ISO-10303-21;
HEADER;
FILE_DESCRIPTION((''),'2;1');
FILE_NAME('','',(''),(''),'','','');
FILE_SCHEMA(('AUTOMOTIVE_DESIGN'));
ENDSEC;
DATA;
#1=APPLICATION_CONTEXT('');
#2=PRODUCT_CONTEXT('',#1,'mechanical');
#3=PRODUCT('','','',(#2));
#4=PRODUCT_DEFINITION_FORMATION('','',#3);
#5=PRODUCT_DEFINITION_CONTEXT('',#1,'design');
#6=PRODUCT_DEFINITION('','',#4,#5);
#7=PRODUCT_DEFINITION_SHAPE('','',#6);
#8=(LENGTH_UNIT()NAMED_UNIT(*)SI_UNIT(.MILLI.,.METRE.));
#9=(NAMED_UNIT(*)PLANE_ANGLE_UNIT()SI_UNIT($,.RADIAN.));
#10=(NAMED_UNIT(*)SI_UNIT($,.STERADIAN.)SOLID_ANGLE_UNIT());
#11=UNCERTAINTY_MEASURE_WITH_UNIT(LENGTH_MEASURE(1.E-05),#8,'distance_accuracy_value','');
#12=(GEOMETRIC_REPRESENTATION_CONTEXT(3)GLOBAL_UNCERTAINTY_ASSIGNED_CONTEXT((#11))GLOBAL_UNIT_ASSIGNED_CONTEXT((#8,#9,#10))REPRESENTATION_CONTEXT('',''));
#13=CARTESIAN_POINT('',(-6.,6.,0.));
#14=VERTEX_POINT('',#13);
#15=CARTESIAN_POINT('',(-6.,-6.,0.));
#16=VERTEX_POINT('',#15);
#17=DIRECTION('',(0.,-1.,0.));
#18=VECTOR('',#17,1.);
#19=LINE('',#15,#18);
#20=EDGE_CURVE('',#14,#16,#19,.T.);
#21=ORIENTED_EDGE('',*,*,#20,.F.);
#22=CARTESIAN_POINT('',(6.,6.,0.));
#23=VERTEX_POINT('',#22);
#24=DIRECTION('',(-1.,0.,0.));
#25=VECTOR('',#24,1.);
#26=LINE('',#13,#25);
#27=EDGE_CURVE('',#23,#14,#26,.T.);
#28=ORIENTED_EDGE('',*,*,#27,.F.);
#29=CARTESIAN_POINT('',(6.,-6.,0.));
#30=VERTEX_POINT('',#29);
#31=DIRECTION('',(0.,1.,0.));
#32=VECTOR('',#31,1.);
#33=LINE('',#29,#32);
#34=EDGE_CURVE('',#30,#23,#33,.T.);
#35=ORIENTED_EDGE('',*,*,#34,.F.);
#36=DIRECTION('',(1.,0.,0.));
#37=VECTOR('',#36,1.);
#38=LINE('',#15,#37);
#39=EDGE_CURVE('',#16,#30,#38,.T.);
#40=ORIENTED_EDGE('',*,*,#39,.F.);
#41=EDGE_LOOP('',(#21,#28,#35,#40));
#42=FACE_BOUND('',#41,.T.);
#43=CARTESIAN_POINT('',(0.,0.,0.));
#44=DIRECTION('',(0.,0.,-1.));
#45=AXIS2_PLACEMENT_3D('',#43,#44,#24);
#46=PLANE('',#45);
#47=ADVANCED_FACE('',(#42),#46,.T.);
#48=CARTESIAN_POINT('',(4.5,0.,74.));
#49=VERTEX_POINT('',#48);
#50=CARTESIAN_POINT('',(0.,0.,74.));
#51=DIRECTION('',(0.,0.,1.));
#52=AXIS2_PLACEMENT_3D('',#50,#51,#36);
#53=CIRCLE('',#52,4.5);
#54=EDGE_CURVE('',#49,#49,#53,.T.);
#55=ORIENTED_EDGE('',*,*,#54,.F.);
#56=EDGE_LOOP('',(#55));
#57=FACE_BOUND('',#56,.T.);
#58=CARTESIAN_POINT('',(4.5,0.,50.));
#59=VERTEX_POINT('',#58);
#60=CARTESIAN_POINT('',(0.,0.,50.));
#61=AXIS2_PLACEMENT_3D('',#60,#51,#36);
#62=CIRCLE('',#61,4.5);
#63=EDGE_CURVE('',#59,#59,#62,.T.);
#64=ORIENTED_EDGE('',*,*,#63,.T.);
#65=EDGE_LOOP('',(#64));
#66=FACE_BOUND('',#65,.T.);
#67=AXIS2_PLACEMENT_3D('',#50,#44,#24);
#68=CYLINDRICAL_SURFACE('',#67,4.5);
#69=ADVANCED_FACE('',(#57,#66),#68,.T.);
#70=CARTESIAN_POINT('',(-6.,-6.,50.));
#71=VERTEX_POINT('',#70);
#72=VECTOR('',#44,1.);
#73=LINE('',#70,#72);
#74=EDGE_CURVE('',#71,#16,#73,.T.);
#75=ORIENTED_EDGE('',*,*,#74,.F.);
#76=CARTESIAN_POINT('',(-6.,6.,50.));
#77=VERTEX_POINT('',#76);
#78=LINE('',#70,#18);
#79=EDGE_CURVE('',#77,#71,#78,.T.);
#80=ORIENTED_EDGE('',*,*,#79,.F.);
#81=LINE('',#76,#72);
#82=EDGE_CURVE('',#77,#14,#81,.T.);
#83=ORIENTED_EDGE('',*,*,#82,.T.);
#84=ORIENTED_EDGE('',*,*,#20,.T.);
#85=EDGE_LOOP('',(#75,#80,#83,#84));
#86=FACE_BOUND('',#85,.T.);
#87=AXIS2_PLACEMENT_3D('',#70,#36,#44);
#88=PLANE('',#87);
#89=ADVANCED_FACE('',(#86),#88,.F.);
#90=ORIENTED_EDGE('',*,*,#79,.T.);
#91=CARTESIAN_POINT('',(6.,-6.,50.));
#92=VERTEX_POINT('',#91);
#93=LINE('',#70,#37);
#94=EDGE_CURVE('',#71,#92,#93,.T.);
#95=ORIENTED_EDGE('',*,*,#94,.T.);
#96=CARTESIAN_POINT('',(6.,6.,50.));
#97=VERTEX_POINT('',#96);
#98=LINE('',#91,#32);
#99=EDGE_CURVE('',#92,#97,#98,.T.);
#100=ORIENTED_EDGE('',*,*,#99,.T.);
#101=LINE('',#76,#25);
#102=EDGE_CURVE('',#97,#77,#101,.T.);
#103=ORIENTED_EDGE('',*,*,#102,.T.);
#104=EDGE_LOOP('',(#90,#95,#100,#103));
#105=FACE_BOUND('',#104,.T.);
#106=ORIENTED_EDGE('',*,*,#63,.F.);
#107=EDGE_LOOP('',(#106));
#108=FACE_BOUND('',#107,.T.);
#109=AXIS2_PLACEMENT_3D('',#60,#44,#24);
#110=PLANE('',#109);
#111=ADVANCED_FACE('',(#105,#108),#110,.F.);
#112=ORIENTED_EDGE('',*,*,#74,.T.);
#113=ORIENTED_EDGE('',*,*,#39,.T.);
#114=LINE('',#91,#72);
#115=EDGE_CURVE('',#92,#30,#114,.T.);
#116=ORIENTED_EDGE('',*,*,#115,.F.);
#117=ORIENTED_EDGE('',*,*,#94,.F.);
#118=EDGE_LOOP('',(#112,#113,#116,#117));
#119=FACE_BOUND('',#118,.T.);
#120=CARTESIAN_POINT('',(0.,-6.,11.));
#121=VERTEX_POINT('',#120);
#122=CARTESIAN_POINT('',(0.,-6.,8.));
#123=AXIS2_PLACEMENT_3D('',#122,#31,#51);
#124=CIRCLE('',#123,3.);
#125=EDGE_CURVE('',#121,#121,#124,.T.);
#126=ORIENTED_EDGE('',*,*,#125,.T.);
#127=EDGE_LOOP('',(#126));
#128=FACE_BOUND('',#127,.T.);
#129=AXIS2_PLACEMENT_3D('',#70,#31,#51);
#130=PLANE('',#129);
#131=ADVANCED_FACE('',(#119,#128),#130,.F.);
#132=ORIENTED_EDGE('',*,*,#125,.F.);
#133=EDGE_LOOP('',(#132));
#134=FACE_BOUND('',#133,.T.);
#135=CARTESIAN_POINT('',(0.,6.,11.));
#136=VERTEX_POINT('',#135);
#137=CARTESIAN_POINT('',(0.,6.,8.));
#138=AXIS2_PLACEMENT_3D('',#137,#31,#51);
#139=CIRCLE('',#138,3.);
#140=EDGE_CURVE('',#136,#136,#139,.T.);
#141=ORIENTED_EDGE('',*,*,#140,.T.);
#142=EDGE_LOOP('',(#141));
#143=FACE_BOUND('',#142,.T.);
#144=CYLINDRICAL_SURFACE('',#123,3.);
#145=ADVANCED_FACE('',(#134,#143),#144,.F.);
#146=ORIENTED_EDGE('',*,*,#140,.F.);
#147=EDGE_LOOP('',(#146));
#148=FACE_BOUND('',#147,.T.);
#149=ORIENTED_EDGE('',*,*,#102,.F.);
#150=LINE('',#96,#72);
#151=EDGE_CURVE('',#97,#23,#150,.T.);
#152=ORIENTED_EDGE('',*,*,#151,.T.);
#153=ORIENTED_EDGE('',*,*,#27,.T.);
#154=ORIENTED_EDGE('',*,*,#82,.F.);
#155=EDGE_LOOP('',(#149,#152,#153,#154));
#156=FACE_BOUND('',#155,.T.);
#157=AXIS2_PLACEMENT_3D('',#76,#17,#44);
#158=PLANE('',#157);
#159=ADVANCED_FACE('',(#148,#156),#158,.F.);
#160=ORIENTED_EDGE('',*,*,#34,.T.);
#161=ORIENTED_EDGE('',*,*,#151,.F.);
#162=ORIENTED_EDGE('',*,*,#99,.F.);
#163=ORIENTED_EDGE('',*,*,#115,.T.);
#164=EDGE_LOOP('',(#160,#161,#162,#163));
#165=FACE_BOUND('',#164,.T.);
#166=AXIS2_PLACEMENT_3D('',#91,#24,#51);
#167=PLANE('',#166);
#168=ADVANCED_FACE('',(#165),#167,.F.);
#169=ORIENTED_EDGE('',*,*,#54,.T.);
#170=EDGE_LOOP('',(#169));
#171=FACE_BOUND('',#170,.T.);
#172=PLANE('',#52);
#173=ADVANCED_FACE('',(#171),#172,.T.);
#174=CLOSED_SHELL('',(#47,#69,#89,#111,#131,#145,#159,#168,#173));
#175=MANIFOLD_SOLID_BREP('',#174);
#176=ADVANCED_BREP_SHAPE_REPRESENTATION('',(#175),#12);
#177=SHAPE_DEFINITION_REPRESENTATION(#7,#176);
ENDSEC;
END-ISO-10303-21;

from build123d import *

# Parameters (mm, degrees)
CROQUIS1_W              = 12
CROQUIS1_H              = 12
SALIENTE_EXTRUIR1_DEPTH = 50
CROQUIS2_R              = 4.5
SALIENTE_EXTRUIR2_DEPTH = 24
CROQUIS3_R              = 3
CORTAR_EXTRUIR1_DEPTH   = 76.206382708


with BuildPart() as part:
    # Croquis1 → Saliente-Extruir1 (new body)
    with BuildSketch(Plane.XY):
        Rectangle(CROQUIS1_W, CROQUIS1_H)
    extrude(amount=SALIENTE_EXTRUIR1_DEPTH)

    # Croquis2 → Saliente-Extruir2 (add)
    with BuildSketch(Plane.XY.offset(50)):
        Circle(CROQUIS2_R)
    extrude(amount=SALIENTE_EXTRUIR2_DEPTH)

    # Croquis3 → Cortar-Extruir1 (cut, through all)
    with BuildSketch(Plane(origin=(0, 6, 0), x_dir=(1, 0, 0), z_dir=(0, 1, 0))):
        with Locations(Location((0, -8, 0), (0, 0, 270))):
            Circle(CROQUIS3_R)
    extrude(amount=-CORTAR_EXTRUIR1_DEPTH, mode=Mode.SUBTRACT)


solid = part.part
